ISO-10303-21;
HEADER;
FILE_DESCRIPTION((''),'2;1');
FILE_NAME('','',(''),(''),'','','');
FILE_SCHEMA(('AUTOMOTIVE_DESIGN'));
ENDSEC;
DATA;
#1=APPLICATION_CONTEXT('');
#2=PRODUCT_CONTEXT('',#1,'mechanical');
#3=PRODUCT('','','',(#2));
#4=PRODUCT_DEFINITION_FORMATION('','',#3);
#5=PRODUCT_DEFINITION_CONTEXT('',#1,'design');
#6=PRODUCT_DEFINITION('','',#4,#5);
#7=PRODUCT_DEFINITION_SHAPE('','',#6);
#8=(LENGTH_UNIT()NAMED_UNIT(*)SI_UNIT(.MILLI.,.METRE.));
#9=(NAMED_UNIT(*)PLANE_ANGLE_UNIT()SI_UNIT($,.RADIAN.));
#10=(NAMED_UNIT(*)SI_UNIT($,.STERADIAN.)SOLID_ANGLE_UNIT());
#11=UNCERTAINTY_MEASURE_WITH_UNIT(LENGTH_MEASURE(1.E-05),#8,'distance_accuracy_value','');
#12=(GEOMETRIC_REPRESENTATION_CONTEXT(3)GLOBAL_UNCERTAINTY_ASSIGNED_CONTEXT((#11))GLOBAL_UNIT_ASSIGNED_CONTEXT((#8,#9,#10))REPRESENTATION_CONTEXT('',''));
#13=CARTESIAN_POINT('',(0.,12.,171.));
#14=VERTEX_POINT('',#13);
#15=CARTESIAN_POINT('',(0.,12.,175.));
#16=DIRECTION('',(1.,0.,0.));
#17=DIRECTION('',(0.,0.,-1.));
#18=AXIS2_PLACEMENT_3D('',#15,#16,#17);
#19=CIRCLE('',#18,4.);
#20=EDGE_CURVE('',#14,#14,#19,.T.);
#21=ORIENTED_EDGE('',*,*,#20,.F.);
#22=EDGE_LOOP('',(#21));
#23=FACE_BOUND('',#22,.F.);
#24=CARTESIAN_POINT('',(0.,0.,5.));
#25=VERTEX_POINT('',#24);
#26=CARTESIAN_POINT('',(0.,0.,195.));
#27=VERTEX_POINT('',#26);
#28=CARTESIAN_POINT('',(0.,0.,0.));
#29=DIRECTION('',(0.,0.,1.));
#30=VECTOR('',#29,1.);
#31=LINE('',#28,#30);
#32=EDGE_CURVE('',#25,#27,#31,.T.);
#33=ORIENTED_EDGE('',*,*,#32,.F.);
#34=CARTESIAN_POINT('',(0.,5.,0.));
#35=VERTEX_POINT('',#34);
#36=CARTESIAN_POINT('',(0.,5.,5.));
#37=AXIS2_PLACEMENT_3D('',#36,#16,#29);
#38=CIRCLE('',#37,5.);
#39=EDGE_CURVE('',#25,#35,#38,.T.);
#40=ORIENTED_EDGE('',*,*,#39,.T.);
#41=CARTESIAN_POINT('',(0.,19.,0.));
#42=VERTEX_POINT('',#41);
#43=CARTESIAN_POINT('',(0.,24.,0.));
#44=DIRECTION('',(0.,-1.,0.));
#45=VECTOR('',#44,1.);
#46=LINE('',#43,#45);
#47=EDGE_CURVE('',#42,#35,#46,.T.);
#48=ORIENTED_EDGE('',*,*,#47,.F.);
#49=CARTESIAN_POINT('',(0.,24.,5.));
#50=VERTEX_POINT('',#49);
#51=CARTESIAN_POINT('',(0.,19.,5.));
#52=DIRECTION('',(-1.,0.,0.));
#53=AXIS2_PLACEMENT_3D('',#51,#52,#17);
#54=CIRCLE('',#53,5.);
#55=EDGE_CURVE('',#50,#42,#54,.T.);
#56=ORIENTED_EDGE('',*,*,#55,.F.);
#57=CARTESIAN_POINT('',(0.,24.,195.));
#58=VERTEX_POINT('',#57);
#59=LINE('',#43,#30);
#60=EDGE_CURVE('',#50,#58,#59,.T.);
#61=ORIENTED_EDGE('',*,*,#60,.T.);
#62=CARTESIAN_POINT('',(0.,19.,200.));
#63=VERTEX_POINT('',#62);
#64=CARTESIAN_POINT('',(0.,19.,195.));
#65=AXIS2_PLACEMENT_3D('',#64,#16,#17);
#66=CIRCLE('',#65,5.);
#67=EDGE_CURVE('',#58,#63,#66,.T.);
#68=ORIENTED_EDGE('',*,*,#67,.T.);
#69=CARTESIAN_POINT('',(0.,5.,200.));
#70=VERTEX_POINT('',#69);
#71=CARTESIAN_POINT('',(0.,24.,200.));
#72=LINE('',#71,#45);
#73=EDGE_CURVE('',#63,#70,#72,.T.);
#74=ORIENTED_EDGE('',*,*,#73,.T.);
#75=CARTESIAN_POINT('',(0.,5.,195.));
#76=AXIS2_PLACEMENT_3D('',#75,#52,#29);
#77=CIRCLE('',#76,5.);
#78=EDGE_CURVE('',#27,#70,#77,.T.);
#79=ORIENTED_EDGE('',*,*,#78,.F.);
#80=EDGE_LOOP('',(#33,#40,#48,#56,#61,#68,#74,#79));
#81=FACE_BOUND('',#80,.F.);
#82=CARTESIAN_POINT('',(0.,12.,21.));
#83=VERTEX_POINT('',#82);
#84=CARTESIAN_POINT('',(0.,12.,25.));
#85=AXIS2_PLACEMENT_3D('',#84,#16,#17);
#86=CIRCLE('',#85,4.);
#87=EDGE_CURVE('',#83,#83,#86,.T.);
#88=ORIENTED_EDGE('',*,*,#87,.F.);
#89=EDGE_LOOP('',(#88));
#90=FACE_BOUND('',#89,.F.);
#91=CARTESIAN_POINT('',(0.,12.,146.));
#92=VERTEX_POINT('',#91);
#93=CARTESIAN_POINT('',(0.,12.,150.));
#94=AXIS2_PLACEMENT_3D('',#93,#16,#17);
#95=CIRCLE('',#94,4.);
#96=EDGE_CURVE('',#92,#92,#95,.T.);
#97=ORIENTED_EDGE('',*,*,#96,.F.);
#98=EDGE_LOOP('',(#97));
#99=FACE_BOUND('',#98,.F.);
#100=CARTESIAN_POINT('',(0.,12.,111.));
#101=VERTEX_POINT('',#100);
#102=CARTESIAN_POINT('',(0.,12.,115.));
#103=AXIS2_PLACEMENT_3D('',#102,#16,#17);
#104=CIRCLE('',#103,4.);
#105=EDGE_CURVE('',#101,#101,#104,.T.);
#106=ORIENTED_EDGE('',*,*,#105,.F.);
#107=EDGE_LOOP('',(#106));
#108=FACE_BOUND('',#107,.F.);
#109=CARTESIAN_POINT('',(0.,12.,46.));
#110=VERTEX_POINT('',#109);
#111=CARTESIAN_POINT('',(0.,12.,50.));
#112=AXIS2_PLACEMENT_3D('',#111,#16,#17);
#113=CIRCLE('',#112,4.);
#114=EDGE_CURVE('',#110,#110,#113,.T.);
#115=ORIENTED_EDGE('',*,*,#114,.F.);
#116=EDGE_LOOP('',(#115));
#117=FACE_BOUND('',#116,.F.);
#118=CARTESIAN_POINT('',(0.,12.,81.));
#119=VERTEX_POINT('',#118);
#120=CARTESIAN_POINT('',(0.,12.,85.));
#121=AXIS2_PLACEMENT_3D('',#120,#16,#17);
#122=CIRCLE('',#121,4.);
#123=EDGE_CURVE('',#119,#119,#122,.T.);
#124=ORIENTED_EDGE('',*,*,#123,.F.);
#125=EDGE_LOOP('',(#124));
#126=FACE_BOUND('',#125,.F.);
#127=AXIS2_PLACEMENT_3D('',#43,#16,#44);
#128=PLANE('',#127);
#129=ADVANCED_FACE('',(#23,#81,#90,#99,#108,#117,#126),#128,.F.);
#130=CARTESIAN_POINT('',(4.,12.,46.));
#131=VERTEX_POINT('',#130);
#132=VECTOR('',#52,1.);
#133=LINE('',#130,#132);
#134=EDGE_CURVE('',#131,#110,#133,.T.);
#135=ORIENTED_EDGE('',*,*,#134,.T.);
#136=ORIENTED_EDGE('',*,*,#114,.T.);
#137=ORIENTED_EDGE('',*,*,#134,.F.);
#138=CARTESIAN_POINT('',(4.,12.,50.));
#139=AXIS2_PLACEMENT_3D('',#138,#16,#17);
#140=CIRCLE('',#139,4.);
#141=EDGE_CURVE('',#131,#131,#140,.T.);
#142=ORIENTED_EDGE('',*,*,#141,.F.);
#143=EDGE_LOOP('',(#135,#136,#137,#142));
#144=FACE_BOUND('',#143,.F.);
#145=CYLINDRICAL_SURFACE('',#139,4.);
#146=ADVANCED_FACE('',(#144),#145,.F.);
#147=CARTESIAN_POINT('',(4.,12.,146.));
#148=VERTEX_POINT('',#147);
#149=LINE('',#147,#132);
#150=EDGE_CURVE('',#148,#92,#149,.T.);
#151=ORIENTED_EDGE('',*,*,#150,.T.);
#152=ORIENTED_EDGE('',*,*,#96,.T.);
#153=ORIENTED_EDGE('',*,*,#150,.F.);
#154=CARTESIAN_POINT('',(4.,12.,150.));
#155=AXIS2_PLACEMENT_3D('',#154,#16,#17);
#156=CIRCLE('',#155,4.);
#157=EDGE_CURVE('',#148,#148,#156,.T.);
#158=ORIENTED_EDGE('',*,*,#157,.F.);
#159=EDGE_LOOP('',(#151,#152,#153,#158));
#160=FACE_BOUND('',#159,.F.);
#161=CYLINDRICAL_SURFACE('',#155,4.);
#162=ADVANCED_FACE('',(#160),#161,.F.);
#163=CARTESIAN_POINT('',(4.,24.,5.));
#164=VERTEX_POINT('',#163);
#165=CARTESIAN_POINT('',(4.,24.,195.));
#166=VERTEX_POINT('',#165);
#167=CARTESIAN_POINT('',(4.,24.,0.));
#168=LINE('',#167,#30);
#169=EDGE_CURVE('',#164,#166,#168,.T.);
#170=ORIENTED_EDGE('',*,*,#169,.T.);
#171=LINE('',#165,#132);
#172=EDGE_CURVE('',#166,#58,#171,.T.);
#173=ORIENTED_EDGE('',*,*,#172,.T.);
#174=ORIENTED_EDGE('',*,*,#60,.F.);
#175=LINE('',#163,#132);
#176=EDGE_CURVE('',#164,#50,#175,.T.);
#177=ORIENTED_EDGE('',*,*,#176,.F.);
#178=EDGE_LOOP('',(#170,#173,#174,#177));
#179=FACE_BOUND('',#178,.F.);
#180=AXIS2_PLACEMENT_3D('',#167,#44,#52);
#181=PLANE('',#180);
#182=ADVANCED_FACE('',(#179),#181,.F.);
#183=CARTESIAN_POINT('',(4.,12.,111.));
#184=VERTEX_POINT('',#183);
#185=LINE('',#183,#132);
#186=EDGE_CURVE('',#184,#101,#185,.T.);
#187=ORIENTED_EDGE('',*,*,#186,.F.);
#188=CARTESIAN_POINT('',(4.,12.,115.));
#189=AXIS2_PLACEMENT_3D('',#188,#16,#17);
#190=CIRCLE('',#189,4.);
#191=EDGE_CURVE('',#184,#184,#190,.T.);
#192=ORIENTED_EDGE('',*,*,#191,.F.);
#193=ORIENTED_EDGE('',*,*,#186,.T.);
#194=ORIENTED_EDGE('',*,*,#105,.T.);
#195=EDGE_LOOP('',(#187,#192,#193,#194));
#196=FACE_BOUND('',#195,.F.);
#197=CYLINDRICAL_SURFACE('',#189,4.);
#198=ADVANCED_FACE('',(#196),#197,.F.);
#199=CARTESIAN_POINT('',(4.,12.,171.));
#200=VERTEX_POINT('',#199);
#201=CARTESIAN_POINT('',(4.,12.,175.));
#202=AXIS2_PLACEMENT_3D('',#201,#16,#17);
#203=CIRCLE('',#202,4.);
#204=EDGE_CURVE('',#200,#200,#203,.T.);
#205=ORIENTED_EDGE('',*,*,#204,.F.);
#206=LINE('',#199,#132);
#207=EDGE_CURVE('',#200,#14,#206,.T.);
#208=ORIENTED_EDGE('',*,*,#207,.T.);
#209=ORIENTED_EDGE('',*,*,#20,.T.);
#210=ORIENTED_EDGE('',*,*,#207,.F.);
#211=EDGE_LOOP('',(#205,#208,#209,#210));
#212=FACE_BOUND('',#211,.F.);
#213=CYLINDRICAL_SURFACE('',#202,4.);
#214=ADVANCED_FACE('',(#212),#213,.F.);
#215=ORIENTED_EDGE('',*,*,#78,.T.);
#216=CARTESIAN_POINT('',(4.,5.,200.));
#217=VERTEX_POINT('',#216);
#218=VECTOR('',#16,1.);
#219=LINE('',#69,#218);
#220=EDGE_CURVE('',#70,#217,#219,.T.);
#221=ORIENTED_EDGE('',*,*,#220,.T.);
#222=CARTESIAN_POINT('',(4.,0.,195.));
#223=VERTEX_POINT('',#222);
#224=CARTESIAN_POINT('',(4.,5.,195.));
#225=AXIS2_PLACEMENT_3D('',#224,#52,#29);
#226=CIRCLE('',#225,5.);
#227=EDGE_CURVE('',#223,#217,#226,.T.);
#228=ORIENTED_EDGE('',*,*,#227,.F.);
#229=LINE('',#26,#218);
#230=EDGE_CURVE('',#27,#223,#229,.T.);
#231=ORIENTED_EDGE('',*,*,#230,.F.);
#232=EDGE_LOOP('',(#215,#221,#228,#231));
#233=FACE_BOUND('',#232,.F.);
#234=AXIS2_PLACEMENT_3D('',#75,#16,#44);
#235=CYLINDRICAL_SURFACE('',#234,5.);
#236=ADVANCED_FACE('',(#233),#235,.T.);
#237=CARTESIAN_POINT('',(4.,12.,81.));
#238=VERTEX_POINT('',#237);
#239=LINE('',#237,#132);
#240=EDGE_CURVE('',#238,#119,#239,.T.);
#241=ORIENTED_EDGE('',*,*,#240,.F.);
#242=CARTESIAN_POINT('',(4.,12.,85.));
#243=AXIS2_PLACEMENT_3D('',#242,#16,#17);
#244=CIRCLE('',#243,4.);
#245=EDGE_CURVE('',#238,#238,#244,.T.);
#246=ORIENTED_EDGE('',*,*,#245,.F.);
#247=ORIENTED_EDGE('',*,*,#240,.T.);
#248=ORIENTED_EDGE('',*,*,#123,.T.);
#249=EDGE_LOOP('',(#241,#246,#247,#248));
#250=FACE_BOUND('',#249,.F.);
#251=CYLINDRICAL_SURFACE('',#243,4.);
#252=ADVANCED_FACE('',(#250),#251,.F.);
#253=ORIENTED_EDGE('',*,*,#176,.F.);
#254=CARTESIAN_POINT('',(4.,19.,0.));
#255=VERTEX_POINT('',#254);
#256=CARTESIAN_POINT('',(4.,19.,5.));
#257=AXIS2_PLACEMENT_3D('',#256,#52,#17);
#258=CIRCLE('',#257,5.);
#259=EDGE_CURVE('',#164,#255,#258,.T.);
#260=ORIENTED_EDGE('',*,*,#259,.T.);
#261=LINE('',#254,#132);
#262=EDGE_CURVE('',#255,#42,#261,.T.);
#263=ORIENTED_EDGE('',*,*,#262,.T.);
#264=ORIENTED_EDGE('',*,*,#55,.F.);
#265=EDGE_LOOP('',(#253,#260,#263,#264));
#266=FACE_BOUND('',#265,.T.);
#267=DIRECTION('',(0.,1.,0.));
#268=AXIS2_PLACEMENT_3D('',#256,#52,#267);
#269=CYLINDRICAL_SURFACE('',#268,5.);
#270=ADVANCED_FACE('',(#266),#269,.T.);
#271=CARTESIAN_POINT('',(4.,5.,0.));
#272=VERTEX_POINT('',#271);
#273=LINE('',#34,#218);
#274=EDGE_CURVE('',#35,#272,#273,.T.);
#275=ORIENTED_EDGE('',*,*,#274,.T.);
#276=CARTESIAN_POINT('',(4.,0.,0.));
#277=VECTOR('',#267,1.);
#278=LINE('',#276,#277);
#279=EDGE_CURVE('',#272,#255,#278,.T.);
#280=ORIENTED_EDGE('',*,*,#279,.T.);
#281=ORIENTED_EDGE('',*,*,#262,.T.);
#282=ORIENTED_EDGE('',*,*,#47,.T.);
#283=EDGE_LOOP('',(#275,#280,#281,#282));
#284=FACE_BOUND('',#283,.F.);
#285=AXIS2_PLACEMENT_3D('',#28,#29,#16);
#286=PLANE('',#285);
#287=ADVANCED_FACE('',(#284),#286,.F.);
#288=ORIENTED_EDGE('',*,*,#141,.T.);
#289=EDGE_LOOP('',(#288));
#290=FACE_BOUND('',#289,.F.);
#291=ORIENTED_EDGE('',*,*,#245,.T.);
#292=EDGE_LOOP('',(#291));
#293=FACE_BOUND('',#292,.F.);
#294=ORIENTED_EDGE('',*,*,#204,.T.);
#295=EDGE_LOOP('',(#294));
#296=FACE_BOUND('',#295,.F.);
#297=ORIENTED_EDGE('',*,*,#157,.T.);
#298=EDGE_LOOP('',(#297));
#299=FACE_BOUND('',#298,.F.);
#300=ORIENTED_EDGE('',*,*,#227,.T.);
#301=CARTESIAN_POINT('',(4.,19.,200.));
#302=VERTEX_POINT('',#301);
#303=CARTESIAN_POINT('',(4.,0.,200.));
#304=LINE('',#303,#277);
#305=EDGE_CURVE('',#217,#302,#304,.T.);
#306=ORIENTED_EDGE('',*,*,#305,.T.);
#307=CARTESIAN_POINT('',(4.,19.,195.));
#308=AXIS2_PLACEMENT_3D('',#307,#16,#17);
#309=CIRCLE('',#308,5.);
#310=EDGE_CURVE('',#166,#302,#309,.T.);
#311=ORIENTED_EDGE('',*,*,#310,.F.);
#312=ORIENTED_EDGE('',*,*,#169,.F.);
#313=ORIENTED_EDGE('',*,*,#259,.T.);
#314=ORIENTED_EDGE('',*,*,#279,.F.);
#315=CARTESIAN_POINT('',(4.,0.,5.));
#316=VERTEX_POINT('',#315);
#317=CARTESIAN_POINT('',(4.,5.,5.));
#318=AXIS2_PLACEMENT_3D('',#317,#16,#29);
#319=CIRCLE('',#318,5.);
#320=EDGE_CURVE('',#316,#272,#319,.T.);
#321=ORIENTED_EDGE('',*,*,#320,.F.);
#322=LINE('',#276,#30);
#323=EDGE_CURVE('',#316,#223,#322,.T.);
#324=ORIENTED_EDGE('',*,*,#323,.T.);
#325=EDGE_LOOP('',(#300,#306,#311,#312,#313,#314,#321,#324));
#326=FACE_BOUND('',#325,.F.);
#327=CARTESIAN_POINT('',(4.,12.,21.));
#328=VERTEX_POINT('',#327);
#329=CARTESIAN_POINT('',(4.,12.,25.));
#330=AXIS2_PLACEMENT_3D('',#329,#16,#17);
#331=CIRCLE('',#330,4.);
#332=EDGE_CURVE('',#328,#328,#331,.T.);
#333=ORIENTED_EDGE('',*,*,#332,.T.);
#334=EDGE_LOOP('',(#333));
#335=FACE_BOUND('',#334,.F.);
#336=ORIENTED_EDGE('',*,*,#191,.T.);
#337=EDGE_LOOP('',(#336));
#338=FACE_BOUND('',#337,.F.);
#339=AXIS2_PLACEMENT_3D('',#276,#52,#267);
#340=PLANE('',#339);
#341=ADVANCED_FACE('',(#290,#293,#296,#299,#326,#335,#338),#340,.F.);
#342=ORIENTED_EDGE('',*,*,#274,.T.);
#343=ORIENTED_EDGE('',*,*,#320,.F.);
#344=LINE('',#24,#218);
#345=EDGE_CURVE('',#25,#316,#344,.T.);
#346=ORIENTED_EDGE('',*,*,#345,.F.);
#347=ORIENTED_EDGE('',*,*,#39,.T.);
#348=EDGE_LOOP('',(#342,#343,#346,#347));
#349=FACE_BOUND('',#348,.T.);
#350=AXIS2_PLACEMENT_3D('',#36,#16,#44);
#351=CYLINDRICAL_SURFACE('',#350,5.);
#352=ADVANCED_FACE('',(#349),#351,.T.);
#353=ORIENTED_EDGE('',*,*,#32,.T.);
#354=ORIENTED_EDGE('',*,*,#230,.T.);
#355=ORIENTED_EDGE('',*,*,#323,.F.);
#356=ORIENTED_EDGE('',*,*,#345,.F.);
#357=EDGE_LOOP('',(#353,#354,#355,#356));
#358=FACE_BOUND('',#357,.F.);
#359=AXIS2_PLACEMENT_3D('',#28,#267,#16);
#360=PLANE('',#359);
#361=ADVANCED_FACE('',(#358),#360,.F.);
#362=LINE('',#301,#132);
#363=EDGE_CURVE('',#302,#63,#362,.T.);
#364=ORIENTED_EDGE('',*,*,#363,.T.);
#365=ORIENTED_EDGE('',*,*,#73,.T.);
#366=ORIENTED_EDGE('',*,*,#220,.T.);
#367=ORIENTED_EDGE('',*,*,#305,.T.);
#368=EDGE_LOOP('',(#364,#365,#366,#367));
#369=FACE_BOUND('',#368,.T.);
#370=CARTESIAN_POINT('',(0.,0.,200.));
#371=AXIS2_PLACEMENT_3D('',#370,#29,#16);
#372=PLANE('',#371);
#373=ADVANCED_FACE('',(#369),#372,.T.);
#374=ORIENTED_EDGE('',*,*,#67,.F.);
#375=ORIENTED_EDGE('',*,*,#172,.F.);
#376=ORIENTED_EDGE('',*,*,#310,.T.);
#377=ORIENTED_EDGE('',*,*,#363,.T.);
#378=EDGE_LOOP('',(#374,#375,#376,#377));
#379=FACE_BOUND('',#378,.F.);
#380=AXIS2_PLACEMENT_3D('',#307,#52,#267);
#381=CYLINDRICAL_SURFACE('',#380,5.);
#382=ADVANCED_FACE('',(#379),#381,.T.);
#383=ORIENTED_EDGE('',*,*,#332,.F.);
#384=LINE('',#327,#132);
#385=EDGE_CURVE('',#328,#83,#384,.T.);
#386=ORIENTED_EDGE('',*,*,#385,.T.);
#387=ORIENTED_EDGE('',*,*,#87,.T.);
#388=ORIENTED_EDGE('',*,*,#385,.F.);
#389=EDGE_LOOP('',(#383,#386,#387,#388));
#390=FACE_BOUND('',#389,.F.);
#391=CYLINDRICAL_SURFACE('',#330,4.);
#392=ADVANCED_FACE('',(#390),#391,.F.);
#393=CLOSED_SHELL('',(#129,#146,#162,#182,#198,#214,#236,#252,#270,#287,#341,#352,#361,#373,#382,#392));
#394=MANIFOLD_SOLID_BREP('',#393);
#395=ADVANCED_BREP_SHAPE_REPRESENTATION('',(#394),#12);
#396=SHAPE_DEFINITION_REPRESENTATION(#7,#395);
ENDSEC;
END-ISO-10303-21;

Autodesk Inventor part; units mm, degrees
ref_plane "YZ Plane" through (0, 0, 0) normal (1, 0, 0) x (0, 1, 0)
ref_plane "XZ Plane" through (0, 0, 0) normal (0, 1, 0) x (-1, 0, 0)
ref_plane "XY Plane" through (0, 0, 0) normal (0, 0, 1) x (1, 0, 0)
sketch "Sketch1" plane through (0, 0, 0) normal (0, 0, 1) x (1, 0, 0)
  line L0 (0, 0) -> (4, 0)
  line L1 (4, 0) -> (4, 24)
  line L2 (4, 24) -> (0, 24)
  line L3 (0, 24) -> (0, 0)
  dimension "d0" = 4
  dimension "d1" = 24
extrude "Extrusion1" add sketch "Sketch1" along normal blind 200
fillet "Fillet1" radius 5 4 edges at (2, 24, 200) (2, 0, 200) (2, 24, 0) (2, 0, 0)
sketch "Sketch2" plane through (4, 5, 0) normal (1, 0, 0) x (0, 0, -1)
  circle A0 centre (-50, 7) radius 4
  circle A1 centre (-150, 7) radius 4
  line L0 (-200, 0) -> (-200, 14) projected
  line L1 (0, 0) -> (0, 14) projected
  line L2 (-5, 19) -> (-195, 19) projected
  circle A2 centre (-175, 7) radius 4
  circle A3 centre (-25, 7) radius 4
  circle A4 centre (-115, 7) radius 4
  circle A5 centre (-85, 7) radius 4
  point P0 (0, -5)
  dimension "d5" = 8
  dimension "d6" = 8
  dimension "d9" = 50
  dimension "d10" = 50
  dimension "d11" = 12
  dimension "d12" = 12
  dimension "d13" = 8
  dimension "d14" = 8
  dimension "d15" = 8
  dimension "d16" = 8
  dimension "d17" = 25
  dimension "d18" = 25
  dimension "d19" = 85
  dimension "d20" = 85
extrude "Extrusion2" cut sketch "Sketch2" against normal up to surface (4 mm away)
sketch "Sketch3" plane through (4, 5, 0) normal (1, 0, 0) x (0, 0, -1)
  point P0 (0, -5)
properties part number "mocowanie zawieszenia"
